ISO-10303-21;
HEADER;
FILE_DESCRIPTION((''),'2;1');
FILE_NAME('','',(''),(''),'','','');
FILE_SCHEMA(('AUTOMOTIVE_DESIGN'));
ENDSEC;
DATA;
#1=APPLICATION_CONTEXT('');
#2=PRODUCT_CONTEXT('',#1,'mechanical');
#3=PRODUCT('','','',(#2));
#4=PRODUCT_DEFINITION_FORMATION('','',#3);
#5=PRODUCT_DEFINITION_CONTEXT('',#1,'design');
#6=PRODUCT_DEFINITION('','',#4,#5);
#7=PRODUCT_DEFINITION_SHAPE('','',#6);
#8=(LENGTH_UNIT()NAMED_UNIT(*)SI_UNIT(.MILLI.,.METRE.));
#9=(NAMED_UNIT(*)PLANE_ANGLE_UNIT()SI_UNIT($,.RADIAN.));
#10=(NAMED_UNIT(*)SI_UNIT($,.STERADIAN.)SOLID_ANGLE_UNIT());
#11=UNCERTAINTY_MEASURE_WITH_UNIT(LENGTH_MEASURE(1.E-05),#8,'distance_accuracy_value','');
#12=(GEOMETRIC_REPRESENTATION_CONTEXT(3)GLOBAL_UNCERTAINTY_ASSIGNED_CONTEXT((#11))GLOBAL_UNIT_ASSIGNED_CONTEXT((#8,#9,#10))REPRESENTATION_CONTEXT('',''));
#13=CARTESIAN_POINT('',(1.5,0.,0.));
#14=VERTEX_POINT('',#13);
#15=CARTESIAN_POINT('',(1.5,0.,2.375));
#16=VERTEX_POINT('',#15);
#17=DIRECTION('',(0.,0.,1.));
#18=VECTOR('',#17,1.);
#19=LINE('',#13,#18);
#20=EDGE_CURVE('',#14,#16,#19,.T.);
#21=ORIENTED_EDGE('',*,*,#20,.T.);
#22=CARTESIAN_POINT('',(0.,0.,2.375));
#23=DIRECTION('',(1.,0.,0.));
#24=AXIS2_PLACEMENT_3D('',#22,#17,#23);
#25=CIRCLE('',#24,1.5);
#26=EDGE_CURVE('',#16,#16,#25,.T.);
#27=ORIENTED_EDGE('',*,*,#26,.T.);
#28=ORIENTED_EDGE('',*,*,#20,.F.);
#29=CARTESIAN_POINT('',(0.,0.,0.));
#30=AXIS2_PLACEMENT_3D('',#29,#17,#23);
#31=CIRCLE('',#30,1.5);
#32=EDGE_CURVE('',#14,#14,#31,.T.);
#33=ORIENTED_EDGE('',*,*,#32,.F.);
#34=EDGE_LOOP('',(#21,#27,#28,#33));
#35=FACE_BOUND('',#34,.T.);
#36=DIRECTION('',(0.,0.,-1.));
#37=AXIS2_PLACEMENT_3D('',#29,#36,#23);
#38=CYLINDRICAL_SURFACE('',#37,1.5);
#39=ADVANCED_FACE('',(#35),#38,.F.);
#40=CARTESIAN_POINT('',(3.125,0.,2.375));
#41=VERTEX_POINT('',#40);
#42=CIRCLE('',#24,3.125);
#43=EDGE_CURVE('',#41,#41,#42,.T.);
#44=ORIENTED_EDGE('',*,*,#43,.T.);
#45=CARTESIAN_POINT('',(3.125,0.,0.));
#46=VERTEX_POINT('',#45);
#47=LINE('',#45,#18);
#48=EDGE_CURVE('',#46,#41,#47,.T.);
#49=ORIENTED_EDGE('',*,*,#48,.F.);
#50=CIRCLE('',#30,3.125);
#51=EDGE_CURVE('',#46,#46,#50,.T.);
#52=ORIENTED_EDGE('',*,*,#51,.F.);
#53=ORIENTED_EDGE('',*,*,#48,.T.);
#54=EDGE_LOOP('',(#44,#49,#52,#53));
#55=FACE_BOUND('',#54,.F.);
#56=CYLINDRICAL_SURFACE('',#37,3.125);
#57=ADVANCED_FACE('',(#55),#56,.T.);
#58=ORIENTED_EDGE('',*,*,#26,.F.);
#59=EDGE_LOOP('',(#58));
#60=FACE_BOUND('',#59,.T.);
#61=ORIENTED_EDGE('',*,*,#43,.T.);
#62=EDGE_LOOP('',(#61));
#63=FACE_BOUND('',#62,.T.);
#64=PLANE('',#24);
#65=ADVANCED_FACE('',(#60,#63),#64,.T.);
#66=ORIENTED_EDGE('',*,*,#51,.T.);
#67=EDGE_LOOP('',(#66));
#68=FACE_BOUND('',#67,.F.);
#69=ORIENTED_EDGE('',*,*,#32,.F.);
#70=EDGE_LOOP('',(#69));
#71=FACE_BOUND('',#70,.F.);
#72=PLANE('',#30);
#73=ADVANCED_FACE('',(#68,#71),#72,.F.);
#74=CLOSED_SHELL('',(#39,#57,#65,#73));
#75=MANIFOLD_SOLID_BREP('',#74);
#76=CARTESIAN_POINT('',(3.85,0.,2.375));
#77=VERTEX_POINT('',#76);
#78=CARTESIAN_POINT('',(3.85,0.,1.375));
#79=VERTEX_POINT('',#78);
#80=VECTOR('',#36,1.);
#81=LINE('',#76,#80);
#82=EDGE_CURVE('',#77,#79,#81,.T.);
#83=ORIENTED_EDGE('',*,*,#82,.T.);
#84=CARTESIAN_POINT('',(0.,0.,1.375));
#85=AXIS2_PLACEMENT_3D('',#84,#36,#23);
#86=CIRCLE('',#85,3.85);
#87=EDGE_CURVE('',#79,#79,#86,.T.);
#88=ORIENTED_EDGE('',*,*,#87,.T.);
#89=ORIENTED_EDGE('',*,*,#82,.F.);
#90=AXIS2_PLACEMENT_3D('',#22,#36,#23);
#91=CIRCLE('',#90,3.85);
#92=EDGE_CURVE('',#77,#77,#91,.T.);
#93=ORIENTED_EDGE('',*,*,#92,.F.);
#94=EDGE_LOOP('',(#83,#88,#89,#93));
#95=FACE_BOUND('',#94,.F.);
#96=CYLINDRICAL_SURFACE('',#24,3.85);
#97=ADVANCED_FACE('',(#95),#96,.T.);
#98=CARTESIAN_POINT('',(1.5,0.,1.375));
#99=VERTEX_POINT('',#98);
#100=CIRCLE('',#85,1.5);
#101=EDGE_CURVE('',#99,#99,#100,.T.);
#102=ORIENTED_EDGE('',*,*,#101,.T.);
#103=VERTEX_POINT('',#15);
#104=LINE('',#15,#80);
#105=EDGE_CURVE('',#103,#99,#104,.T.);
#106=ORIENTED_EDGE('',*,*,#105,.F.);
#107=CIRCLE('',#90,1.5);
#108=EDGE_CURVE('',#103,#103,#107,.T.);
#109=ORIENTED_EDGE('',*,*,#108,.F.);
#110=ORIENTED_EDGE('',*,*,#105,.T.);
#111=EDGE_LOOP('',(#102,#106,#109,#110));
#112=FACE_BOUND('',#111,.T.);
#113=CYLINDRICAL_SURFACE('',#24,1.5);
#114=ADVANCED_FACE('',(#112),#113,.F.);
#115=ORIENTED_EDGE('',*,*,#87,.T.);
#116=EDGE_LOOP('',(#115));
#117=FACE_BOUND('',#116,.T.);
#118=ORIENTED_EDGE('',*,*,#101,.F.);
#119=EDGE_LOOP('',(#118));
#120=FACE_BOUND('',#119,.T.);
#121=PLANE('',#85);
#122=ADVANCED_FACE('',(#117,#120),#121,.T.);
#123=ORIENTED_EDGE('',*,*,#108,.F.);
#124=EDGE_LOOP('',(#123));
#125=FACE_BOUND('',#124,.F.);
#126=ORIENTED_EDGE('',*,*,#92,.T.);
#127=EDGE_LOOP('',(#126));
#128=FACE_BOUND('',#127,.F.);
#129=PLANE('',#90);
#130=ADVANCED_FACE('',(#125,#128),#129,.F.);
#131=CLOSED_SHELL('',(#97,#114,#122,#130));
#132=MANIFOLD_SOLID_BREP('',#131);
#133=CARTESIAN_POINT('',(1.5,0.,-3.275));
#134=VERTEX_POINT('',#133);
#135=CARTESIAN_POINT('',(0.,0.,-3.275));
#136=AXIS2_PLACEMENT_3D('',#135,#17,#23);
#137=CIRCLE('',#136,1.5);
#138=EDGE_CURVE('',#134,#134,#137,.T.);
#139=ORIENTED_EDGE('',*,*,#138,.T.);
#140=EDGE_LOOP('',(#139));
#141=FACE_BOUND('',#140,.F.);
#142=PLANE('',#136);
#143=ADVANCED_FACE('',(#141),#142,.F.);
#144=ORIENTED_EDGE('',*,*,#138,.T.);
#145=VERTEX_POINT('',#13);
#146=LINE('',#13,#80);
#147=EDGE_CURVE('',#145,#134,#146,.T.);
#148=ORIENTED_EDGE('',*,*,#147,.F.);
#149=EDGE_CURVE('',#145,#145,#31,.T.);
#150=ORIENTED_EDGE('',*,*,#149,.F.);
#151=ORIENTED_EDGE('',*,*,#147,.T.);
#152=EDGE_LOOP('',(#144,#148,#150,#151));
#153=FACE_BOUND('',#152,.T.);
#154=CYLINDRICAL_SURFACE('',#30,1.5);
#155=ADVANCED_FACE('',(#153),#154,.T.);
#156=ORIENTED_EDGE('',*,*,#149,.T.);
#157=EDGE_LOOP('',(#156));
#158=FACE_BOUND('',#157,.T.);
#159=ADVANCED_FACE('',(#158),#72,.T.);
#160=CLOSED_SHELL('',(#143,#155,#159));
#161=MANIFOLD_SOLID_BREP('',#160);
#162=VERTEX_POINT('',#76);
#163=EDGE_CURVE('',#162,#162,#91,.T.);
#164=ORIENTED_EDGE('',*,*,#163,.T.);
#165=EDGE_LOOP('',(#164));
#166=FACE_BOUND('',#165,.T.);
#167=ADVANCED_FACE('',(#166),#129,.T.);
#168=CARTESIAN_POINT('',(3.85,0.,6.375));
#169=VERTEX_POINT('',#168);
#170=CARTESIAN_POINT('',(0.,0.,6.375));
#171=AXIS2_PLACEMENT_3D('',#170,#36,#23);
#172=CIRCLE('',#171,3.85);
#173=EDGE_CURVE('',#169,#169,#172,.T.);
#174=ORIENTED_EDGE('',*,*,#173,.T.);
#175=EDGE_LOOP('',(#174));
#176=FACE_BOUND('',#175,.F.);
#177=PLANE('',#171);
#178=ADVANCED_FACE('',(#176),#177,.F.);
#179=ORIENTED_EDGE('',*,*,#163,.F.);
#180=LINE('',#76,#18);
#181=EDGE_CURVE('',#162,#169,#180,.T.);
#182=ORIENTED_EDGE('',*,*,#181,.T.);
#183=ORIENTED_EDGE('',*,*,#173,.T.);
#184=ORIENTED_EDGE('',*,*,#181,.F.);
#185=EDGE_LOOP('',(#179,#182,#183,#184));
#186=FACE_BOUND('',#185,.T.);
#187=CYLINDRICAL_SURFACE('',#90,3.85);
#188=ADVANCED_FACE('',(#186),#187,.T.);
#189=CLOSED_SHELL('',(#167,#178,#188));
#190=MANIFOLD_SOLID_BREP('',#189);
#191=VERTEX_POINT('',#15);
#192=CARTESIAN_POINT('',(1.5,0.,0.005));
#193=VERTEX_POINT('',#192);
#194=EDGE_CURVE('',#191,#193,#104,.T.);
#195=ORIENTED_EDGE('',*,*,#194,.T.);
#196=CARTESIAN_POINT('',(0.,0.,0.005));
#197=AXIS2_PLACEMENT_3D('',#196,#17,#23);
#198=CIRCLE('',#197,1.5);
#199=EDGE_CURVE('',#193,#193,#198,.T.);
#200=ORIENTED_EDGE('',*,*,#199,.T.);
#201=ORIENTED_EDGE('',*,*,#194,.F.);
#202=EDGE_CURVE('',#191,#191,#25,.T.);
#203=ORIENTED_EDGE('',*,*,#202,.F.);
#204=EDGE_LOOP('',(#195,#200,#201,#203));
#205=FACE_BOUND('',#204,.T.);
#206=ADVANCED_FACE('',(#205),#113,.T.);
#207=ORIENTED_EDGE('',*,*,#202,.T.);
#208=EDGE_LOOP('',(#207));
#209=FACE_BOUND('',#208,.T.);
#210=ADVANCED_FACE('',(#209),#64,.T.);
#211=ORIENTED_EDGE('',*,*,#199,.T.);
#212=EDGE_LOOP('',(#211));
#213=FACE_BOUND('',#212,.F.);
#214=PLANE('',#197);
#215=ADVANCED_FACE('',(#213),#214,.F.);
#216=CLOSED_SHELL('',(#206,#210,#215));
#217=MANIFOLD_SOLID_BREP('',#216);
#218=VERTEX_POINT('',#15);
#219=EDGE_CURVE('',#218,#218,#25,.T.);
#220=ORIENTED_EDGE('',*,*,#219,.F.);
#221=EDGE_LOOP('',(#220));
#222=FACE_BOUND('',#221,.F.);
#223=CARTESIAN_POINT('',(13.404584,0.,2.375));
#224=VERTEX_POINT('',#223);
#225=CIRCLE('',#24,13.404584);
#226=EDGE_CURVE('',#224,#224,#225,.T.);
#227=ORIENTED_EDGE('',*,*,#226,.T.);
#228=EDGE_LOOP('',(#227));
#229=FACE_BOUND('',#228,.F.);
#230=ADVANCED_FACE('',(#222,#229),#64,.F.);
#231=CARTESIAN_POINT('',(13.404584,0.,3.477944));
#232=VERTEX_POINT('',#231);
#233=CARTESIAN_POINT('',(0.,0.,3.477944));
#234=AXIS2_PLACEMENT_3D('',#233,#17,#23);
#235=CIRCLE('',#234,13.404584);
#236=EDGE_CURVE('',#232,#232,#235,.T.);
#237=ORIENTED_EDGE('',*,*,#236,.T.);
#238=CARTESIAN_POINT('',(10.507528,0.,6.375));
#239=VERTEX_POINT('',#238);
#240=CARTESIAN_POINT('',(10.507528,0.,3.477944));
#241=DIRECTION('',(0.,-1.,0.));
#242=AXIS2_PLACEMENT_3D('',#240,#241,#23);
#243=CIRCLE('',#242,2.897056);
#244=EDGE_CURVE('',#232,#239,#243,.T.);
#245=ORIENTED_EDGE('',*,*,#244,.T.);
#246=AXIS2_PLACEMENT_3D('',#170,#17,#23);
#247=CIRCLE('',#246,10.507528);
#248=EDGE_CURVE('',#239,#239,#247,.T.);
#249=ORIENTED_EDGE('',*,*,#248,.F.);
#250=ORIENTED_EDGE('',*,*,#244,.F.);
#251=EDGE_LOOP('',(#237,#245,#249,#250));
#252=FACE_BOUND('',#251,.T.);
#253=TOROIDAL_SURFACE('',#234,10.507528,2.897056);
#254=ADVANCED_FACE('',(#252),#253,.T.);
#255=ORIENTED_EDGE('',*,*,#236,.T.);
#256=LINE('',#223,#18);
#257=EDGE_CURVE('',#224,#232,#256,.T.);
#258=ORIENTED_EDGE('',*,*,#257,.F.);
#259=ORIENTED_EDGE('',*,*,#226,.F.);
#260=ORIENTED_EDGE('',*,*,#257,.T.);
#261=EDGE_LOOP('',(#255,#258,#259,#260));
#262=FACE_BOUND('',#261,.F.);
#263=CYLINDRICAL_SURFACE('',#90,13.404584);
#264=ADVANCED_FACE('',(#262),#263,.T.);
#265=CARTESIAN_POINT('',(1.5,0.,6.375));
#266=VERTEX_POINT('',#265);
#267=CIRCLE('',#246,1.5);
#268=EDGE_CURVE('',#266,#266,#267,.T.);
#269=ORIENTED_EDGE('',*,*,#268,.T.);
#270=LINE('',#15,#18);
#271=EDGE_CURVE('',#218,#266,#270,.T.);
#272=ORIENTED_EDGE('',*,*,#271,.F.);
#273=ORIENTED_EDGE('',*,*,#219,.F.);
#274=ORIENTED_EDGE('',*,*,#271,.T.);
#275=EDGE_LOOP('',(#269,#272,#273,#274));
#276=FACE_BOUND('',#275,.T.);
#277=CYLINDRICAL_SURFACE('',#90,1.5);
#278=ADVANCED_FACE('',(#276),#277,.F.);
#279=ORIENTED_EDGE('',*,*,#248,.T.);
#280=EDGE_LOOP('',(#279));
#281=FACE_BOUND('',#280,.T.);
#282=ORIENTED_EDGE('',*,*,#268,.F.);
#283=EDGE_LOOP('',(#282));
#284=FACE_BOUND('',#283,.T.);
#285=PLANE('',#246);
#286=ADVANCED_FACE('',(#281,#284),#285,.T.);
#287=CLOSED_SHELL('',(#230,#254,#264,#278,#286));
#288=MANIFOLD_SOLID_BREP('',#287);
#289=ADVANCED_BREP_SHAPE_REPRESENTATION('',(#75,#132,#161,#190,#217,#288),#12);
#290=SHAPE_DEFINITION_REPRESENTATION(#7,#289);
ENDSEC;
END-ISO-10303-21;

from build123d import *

# Parameters (mm, degrees)
F0_R     = 3.125
F0_R_2   = 1.5
F1_DEPTH = 2.375
F2_R     = 13.404584
F2_R_2   = 3.125
F2_R_3   = 1.5
F3_DEPTH = 4
F4_R     = 2.897056
F5_R     = 3.85
F5_R_2   = 1.5
F6_DEPTH = 1
F7_DEPTH = 4
F8_DEPTH = 2.37
F9_DEPTH = 3.275


with BuildPart() as f1:
    # F0 (on Top) → F1 (new body)
    with BuildSketch(Plane.XY):
        Circle(F0_R)
        Circle(F0_R_2, mode=Mode.SUBTRACT)
    extrude(amount=F1_DEPTH)


with BuildPart() as f3:
    # F2 (on face) → F3 (new body)
    with BuildSketch(Plane.XY.offset(2.375)):
        Circle(F2_R)
        Circle(F2_R_2, mode=Mode.SUBTRACT)
        Circle(F2_R_2)
        Circle(F2_R_3, mode=Mode.SUBTRACT)
    extrude(amount=F3_DEPTH)

    # F4
    f4_edges = [f3.edges().sort_by_distance(p)[0] for p in [
        (-13.404584, 0, 6.375),
    ]]
    fillet(f4_edges, radius=F4_R)


with BuildPart() as f6:
    # F5 (on face) → F6 (new body)
    with BuildSketch(Plane(origin=(0, 0, 2.375), x_dir=(1, 0, 0), z_dir=(0, 0, -1))):
        Circle(F5_R)
        Circle(F5_R_2, mode=Mode.SUBTRACT)
    extrude(amount=F6_DEPTH)


with BuildPart() as f7:
    # F5 (on face) → F7 (new body)
    with BuildSketch(Plane(origin=(0, 0, 2.375), x_dir=(1, 0, 0), z_dir=(0, 0, -1))):
        Circle(F5_R)
    extrude(amount=-F7_DEPTH)


with BuildPart() as f8:
    # F2 (on face) → F8 (new body)
    with BuildSketch(Plane.XY.offset(2.375)):
        Circle(F2_R_3)
    extrude(amount=-F8_DEPTH)


with BuildPart() as f9:
    # F0 (on Top) → F9 (new body)
    with BuildSketch(Plane.XY):
        Circle(F0_R_2)
    extrude(amount=-F9_DEPTH)


solid = Compound([f1.part, f3.part, f6.part, f7.part, f8.part, f9.part])
